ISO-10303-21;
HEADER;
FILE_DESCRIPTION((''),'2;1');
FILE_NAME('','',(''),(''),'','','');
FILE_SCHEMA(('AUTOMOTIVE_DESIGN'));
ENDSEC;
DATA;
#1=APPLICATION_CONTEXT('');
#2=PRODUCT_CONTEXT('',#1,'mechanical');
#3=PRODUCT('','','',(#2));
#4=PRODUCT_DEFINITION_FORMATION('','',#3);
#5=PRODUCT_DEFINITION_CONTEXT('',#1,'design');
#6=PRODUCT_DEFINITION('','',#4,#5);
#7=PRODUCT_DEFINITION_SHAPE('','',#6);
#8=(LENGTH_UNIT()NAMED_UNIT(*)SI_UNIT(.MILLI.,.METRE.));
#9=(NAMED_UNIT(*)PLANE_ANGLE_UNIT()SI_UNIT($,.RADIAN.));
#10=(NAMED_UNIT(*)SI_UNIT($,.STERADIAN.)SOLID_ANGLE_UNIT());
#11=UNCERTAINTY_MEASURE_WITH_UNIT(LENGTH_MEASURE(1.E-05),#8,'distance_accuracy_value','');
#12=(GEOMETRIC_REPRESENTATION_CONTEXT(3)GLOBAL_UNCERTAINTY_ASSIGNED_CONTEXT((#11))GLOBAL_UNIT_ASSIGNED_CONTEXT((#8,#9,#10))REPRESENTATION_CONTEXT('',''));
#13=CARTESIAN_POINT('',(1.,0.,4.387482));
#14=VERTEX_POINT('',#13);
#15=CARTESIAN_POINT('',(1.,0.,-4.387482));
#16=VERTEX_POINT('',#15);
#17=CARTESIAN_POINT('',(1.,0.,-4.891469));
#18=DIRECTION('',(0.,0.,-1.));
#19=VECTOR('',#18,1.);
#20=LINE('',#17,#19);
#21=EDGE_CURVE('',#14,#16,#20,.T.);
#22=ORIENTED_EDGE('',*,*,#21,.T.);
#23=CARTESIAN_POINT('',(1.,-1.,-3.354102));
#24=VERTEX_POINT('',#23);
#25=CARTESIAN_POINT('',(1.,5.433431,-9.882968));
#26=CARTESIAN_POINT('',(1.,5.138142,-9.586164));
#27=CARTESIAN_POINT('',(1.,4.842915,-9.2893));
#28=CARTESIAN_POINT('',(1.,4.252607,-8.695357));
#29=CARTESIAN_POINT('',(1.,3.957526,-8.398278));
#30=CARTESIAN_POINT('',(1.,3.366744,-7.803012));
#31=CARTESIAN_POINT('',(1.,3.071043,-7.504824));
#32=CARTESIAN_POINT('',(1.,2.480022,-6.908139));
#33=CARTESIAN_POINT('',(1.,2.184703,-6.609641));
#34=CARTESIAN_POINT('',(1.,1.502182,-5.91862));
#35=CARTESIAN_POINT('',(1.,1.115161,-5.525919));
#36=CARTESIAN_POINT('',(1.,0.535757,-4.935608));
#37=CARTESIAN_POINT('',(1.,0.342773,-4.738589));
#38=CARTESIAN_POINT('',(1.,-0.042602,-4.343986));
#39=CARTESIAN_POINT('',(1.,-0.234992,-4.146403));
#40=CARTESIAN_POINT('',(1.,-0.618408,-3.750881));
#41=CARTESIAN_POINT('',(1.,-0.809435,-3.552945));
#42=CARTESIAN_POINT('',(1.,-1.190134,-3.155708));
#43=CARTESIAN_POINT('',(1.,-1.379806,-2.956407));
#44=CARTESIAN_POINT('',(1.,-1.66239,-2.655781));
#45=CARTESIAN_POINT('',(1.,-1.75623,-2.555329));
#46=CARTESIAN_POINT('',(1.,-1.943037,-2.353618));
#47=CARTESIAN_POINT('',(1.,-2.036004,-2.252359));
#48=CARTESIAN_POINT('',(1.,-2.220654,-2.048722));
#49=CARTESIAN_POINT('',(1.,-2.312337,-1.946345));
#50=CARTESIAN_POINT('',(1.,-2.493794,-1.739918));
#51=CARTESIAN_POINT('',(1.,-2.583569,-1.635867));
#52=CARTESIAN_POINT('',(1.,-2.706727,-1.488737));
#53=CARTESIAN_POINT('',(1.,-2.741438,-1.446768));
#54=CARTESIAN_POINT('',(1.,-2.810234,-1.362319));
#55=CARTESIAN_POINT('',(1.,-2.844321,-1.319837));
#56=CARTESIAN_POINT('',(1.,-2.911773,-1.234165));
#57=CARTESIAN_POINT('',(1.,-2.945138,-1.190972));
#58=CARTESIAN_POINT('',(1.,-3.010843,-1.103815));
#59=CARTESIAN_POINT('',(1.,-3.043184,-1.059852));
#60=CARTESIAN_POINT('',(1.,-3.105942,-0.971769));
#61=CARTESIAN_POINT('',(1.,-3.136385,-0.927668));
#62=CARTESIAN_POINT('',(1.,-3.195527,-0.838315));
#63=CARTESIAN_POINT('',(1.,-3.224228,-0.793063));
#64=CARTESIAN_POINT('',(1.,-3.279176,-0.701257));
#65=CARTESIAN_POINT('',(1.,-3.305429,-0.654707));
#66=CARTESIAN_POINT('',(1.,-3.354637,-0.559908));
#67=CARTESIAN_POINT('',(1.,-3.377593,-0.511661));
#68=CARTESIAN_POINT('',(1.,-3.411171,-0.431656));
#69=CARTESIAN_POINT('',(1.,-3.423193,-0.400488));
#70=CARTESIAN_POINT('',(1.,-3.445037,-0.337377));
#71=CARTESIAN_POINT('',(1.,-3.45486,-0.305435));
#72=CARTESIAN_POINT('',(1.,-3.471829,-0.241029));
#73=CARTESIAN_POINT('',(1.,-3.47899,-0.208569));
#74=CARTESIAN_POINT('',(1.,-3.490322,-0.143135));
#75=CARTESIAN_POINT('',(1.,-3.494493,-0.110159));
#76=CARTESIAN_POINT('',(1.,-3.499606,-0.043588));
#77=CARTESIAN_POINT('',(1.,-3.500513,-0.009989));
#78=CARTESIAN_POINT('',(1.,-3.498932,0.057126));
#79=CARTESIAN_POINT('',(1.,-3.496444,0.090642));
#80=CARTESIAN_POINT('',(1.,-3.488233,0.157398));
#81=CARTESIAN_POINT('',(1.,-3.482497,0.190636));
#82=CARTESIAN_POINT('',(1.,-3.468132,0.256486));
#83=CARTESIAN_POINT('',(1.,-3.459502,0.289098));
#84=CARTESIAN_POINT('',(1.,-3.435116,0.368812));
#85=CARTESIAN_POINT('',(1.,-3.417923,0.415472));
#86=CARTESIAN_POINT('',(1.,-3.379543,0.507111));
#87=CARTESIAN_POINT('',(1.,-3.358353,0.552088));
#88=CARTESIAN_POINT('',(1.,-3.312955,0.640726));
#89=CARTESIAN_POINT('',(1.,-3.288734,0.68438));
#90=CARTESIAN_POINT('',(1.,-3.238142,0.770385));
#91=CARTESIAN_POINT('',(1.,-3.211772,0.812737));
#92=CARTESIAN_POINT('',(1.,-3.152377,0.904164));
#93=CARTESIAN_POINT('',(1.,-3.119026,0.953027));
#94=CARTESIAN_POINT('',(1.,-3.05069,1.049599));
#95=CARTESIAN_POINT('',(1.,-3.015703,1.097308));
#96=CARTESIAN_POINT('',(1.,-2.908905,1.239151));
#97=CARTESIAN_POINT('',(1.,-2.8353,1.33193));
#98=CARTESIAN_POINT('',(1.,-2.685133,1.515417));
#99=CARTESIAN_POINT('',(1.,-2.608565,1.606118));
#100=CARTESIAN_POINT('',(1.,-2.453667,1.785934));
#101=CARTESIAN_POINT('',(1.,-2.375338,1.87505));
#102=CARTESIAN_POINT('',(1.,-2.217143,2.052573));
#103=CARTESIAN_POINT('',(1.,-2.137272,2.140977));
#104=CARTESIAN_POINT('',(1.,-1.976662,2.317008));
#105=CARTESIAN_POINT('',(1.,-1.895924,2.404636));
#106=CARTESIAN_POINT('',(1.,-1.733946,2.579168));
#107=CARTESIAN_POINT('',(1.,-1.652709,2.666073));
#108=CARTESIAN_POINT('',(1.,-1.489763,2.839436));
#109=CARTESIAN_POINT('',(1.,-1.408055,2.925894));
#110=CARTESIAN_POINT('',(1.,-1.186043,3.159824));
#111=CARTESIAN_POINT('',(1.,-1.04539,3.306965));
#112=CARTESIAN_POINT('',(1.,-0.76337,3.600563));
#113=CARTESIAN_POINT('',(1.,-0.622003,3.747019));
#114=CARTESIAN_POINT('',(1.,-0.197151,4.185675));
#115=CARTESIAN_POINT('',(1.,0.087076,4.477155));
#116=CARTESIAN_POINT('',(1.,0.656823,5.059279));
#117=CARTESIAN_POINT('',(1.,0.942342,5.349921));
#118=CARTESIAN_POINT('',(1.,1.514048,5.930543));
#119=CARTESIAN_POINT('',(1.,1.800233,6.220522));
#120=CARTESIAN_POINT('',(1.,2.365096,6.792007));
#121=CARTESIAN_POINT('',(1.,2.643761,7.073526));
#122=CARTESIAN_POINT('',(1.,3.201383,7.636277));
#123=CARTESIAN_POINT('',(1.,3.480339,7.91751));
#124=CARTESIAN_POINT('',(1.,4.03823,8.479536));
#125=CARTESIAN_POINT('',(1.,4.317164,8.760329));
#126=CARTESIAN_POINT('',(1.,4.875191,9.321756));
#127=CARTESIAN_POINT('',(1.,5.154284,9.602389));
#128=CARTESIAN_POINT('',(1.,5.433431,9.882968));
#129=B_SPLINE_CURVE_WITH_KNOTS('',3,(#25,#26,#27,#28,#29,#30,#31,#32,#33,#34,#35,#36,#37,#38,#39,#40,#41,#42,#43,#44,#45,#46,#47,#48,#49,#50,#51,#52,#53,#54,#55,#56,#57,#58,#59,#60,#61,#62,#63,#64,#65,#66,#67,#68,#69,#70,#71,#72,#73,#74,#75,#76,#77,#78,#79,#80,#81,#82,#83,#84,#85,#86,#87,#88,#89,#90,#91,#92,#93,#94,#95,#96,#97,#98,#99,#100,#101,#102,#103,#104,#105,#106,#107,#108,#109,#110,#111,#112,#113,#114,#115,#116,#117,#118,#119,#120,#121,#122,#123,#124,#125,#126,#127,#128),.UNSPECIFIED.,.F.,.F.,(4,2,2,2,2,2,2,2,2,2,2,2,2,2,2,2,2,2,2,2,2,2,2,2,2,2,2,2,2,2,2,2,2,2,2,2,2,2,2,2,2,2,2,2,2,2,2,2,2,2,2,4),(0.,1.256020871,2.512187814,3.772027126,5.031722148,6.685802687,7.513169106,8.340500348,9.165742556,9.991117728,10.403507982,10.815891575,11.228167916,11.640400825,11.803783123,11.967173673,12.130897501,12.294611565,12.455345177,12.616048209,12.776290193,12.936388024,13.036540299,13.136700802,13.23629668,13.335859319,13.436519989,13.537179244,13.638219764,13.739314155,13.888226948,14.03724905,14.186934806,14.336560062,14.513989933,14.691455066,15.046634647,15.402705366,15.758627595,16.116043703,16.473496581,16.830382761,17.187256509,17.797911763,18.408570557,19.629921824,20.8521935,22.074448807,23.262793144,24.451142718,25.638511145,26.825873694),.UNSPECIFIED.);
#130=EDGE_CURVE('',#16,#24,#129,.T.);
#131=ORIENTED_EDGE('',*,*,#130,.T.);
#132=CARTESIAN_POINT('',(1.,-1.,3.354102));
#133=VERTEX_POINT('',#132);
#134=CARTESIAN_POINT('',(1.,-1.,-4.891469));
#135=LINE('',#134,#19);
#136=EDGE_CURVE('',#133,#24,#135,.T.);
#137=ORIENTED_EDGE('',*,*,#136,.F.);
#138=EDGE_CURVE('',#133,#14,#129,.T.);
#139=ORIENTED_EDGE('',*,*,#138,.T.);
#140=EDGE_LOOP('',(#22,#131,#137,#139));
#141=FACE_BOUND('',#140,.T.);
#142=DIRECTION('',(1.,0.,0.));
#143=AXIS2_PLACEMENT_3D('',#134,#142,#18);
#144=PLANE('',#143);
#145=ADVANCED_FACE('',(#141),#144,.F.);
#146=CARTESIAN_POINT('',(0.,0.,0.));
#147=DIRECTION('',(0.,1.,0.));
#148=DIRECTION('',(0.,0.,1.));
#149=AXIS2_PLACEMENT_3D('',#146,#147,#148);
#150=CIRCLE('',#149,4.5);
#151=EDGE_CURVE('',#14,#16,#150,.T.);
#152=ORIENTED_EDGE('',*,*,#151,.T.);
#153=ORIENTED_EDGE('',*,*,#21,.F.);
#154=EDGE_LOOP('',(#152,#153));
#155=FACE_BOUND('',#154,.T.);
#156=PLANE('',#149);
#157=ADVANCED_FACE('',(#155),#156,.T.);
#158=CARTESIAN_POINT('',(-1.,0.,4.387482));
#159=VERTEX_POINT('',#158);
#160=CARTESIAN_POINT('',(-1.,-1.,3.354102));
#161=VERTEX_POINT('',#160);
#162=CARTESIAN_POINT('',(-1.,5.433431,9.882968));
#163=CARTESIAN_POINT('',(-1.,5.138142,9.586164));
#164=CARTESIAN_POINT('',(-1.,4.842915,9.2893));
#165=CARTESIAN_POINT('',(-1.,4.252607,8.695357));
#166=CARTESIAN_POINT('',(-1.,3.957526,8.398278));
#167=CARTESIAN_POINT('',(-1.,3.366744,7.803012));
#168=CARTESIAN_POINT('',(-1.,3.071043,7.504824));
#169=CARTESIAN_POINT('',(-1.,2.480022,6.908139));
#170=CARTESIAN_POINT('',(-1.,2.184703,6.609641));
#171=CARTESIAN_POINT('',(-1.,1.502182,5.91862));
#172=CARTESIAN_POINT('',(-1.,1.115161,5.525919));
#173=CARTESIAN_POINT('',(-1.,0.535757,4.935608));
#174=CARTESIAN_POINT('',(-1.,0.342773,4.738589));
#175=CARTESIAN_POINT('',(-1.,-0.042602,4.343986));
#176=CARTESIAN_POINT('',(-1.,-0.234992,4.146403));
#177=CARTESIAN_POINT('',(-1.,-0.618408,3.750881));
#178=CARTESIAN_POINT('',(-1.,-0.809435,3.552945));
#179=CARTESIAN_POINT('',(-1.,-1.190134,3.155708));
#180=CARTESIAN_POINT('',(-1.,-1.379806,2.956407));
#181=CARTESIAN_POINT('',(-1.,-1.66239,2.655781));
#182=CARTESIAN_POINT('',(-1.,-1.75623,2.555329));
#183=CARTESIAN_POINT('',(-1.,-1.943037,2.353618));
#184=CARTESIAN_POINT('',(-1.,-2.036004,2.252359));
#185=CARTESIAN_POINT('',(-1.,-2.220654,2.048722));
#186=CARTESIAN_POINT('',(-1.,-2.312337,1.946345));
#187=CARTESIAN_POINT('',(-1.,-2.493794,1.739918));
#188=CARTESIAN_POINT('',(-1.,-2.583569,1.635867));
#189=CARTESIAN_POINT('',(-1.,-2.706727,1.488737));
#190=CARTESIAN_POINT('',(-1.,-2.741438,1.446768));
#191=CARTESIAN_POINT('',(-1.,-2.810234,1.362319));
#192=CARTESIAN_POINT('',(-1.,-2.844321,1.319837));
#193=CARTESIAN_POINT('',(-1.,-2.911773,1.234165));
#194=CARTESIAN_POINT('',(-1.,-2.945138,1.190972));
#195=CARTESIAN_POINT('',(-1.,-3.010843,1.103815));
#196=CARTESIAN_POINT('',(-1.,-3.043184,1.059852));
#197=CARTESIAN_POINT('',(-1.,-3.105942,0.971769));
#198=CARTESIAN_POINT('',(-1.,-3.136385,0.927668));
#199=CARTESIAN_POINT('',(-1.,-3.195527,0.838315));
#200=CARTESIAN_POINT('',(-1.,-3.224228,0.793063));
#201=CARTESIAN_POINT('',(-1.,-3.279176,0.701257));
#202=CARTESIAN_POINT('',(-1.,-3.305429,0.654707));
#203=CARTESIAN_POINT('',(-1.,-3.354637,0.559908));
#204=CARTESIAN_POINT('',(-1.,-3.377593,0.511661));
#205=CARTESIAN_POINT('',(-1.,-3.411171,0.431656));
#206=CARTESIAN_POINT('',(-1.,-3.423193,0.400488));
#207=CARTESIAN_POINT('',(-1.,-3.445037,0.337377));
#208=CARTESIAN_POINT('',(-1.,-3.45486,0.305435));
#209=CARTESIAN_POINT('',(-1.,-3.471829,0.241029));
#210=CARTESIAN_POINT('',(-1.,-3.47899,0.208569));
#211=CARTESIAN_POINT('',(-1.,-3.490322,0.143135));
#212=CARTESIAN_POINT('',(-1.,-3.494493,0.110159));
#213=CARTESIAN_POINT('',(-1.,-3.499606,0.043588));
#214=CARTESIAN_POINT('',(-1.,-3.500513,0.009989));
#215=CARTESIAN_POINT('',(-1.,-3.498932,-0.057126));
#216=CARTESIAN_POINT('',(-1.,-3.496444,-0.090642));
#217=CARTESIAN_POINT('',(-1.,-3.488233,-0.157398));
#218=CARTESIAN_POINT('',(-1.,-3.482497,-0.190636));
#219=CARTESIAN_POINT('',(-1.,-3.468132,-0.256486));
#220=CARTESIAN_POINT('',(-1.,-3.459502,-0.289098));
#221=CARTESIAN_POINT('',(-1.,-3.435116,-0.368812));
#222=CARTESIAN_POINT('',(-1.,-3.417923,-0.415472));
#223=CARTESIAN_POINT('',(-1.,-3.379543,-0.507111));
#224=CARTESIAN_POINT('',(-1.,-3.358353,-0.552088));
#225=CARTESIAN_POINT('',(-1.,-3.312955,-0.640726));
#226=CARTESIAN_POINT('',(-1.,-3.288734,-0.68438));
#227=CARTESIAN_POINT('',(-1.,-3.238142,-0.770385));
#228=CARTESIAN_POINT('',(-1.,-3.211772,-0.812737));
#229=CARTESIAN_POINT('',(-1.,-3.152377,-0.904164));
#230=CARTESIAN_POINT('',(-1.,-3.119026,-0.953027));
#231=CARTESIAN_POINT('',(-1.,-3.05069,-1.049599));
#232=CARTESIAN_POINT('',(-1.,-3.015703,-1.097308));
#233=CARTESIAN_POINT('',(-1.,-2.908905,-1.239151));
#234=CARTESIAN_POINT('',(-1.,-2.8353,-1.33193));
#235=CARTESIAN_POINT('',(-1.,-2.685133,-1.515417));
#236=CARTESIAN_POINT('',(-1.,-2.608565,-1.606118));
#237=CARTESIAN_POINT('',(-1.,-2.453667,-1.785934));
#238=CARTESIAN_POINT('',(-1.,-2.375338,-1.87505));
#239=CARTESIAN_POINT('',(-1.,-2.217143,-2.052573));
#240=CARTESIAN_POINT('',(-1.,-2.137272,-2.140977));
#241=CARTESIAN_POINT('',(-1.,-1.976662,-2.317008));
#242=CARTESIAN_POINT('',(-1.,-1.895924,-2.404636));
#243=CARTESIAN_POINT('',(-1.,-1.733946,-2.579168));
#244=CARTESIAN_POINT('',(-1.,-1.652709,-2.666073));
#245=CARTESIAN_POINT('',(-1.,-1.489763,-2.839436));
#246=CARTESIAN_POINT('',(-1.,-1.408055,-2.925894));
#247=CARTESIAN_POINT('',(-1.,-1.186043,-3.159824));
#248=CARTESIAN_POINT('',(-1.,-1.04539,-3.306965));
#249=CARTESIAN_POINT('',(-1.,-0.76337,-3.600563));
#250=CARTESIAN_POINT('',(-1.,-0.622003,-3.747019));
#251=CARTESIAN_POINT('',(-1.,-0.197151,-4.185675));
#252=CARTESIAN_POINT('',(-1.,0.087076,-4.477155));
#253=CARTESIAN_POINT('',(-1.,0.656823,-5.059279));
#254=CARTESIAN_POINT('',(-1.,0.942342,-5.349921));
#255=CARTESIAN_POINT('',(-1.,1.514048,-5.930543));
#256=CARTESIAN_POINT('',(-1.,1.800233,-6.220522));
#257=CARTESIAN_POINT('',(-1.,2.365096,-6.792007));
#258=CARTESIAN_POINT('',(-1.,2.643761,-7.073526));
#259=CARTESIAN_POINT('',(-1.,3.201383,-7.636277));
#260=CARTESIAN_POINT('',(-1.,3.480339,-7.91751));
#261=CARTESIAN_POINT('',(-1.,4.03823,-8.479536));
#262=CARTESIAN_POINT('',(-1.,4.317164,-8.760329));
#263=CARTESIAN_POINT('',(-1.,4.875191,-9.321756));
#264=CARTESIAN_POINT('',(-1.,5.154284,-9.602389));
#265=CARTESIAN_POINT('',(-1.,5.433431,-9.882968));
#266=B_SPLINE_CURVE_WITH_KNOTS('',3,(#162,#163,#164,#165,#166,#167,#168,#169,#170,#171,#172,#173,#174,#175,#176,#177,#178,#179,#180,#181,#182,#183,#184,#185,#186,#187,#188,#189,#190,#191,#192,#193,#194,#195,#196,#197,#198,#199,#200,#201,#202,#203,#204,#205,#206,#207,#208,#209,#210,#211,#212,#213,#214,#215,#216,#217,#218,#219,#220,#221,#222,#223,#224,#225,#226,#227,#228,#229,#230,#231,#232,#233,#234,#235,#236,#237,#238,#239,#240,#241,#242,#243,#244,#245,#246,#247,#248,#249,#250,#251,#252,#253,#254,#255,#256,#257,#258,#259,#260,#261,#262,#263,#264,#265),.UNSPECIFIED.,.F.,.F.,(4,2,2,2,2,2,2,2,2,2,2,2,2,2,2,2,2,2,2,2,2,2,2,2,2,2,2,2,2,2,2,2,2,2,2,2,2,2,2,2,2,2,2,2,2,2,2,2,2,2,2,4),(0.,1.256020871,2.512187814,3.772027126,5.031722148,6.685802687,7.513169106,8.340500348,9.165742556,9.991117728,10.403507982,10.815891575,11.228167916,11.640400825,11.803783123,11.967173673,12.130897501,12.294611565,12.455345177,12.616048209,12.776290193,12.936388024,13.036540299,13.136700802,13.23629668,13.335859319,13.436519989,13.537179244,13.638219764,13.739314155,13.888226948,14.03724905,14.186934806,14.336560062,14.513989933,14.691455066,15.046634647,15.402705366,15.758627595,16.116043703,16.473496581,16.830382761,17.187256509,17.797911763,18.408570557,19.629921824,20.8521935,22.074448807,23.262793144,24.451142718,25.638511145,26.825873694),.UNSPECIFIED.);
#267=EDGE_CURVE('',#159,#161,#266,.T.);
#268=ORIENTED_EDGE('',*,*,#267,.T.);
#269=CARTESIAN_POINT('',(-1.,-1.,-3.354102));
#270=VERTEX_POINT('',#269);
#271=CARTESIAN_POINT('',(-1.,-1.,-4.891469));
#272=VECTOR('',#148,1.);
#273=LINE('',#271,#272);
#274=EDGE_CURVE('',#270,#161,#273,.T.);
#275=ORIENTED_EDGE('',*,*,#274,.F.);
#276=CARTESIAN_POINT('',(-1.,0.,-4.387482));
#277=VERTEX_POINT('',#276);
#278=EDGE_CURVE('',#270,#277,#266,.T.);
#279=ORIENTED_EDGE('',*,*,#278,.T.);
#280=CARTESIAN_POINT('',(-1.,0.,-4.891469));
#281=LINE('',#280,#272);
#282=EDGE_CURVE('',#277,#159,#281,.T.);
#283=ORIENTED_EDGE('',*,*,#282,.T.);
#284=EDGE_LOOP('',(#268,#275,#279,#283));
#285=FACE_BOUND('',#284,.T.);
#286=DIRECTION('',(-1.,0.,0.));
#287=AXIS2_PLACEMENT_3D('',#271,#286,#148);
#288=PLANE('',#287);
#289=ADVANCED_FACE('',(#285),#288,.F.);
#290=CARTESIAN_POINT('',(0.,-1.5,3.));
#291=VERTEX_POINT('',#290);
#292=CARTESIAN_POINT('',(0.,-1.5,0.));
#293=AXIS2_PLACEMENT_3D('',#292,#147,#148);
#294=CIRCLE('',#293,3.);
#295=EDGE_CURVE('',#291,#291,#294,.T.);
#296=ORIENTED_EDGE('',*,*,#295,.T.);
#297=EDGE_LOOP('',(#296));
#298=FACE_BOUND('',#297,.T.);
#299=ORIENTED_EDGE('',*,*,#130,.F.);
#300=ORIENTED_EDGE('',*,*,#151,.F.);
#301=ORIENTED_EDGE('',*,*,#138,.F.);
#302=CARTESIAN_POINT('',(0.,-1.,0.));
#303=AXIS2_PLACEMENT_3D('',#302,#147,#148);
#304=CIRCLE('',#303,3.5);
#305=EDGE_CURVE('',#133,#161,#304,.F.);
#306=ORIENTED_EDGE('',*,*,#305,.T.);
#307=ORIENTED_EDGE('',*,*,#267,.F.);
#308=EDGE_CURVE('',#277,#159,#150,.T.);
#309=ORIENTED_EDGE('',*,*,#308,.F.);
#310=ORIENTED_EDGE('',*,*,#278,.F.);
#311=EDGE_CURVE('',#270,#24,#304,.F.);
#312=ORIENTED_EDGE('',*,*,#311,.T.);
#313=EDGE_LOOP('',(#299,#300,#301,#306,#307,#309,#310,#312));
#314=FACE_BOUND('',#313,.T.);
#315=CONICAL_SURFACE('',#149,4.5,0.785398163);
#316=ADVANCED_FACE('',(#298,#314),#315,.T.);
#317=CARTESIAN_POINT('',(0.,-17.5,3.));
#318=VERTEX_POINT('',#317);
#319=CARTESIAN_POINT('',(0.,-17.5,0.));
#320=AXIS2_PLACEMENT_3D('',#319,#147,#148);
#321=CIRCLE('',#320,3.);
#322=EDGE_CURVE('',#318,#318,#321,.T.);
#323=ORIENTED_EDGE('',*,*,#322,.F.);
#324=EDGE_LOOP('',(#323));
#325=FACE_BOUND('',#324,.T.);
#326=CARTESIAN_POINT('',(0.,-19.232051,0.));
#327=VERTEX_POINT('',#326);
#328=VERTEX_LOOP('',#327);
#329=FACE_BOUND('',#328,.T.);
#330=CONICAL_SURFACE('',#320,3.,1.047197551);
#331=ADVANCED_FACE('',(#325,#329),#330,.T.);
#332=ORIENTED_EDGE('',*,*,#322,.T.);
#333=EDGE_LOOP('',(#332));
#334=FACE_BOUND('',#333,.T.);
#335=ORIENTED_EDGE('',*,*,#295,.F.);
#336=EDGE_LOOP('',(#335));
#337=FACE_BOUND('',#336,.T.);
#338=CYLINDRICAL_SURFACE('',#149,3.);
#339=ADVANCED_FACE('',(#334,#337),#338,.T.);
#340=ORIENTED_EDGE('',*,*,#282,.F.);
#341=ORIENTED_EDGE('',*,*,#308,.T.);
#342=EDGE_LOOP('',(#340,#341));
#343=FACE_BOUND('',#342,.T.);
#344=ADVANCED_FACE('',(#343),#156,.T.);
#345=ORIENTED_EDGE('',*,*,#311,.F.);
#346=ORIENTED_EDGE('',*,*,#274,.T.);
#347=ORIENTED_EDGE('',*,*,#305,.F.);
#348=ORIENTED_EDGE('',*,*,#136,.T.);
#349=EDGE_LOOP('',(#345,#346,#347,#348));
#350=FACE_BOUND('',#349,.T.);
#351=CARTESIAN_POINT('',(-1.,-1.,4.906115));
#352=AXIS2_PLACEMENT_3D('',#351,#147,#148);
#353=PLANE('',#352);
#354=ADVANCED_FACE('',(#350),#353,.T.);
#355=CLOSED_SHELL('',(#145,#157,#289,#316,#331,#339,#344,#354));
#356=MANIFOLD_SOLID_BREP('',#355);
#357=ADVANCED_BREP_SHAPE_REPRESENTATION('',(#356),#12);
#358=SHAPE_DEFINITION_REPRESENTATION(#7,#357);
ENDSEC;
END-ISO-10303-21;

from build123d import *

# Parameters (mm, degrees)
SKETCH2_W      = 2
SKETCH2_H      = 9.797583912
EXTRUDE1_DEPTH = 1


with BuildPart() as part:
    # Sketch1 → Revolve1 (revolve)
    with BuildSketch(Plane.XY, mode=Mode.PRIVATE) as revolve1_sk:
        Polygon((0, 0), (-4.5, 0), (-3, -1.5), (-3, -17.5), (0, -19.232050808), (0, -17.5), align=None)
    revolve(revolve1_sk.sketch.rotate(Axis((0, 0, 0), (0, -1, 0)), 270), axis=Axis((0, 0, 0), (0, -1, 0)))

    # Sketch2 → Extrude1 (cut)
    with BuildSketch(Plane(origin=(0, 0, 0), x_dir=(1, 0, 0), z_dir=(0, 1, 0))):
        with Locations((0, -0.007322559)):
            Rectangle(SKETCH2_W, SKETCH2_H)
    extrude(amount=-EXTRUDE1_DEPTH, mode=Mode.SUBTRACT)


solid = part.part
